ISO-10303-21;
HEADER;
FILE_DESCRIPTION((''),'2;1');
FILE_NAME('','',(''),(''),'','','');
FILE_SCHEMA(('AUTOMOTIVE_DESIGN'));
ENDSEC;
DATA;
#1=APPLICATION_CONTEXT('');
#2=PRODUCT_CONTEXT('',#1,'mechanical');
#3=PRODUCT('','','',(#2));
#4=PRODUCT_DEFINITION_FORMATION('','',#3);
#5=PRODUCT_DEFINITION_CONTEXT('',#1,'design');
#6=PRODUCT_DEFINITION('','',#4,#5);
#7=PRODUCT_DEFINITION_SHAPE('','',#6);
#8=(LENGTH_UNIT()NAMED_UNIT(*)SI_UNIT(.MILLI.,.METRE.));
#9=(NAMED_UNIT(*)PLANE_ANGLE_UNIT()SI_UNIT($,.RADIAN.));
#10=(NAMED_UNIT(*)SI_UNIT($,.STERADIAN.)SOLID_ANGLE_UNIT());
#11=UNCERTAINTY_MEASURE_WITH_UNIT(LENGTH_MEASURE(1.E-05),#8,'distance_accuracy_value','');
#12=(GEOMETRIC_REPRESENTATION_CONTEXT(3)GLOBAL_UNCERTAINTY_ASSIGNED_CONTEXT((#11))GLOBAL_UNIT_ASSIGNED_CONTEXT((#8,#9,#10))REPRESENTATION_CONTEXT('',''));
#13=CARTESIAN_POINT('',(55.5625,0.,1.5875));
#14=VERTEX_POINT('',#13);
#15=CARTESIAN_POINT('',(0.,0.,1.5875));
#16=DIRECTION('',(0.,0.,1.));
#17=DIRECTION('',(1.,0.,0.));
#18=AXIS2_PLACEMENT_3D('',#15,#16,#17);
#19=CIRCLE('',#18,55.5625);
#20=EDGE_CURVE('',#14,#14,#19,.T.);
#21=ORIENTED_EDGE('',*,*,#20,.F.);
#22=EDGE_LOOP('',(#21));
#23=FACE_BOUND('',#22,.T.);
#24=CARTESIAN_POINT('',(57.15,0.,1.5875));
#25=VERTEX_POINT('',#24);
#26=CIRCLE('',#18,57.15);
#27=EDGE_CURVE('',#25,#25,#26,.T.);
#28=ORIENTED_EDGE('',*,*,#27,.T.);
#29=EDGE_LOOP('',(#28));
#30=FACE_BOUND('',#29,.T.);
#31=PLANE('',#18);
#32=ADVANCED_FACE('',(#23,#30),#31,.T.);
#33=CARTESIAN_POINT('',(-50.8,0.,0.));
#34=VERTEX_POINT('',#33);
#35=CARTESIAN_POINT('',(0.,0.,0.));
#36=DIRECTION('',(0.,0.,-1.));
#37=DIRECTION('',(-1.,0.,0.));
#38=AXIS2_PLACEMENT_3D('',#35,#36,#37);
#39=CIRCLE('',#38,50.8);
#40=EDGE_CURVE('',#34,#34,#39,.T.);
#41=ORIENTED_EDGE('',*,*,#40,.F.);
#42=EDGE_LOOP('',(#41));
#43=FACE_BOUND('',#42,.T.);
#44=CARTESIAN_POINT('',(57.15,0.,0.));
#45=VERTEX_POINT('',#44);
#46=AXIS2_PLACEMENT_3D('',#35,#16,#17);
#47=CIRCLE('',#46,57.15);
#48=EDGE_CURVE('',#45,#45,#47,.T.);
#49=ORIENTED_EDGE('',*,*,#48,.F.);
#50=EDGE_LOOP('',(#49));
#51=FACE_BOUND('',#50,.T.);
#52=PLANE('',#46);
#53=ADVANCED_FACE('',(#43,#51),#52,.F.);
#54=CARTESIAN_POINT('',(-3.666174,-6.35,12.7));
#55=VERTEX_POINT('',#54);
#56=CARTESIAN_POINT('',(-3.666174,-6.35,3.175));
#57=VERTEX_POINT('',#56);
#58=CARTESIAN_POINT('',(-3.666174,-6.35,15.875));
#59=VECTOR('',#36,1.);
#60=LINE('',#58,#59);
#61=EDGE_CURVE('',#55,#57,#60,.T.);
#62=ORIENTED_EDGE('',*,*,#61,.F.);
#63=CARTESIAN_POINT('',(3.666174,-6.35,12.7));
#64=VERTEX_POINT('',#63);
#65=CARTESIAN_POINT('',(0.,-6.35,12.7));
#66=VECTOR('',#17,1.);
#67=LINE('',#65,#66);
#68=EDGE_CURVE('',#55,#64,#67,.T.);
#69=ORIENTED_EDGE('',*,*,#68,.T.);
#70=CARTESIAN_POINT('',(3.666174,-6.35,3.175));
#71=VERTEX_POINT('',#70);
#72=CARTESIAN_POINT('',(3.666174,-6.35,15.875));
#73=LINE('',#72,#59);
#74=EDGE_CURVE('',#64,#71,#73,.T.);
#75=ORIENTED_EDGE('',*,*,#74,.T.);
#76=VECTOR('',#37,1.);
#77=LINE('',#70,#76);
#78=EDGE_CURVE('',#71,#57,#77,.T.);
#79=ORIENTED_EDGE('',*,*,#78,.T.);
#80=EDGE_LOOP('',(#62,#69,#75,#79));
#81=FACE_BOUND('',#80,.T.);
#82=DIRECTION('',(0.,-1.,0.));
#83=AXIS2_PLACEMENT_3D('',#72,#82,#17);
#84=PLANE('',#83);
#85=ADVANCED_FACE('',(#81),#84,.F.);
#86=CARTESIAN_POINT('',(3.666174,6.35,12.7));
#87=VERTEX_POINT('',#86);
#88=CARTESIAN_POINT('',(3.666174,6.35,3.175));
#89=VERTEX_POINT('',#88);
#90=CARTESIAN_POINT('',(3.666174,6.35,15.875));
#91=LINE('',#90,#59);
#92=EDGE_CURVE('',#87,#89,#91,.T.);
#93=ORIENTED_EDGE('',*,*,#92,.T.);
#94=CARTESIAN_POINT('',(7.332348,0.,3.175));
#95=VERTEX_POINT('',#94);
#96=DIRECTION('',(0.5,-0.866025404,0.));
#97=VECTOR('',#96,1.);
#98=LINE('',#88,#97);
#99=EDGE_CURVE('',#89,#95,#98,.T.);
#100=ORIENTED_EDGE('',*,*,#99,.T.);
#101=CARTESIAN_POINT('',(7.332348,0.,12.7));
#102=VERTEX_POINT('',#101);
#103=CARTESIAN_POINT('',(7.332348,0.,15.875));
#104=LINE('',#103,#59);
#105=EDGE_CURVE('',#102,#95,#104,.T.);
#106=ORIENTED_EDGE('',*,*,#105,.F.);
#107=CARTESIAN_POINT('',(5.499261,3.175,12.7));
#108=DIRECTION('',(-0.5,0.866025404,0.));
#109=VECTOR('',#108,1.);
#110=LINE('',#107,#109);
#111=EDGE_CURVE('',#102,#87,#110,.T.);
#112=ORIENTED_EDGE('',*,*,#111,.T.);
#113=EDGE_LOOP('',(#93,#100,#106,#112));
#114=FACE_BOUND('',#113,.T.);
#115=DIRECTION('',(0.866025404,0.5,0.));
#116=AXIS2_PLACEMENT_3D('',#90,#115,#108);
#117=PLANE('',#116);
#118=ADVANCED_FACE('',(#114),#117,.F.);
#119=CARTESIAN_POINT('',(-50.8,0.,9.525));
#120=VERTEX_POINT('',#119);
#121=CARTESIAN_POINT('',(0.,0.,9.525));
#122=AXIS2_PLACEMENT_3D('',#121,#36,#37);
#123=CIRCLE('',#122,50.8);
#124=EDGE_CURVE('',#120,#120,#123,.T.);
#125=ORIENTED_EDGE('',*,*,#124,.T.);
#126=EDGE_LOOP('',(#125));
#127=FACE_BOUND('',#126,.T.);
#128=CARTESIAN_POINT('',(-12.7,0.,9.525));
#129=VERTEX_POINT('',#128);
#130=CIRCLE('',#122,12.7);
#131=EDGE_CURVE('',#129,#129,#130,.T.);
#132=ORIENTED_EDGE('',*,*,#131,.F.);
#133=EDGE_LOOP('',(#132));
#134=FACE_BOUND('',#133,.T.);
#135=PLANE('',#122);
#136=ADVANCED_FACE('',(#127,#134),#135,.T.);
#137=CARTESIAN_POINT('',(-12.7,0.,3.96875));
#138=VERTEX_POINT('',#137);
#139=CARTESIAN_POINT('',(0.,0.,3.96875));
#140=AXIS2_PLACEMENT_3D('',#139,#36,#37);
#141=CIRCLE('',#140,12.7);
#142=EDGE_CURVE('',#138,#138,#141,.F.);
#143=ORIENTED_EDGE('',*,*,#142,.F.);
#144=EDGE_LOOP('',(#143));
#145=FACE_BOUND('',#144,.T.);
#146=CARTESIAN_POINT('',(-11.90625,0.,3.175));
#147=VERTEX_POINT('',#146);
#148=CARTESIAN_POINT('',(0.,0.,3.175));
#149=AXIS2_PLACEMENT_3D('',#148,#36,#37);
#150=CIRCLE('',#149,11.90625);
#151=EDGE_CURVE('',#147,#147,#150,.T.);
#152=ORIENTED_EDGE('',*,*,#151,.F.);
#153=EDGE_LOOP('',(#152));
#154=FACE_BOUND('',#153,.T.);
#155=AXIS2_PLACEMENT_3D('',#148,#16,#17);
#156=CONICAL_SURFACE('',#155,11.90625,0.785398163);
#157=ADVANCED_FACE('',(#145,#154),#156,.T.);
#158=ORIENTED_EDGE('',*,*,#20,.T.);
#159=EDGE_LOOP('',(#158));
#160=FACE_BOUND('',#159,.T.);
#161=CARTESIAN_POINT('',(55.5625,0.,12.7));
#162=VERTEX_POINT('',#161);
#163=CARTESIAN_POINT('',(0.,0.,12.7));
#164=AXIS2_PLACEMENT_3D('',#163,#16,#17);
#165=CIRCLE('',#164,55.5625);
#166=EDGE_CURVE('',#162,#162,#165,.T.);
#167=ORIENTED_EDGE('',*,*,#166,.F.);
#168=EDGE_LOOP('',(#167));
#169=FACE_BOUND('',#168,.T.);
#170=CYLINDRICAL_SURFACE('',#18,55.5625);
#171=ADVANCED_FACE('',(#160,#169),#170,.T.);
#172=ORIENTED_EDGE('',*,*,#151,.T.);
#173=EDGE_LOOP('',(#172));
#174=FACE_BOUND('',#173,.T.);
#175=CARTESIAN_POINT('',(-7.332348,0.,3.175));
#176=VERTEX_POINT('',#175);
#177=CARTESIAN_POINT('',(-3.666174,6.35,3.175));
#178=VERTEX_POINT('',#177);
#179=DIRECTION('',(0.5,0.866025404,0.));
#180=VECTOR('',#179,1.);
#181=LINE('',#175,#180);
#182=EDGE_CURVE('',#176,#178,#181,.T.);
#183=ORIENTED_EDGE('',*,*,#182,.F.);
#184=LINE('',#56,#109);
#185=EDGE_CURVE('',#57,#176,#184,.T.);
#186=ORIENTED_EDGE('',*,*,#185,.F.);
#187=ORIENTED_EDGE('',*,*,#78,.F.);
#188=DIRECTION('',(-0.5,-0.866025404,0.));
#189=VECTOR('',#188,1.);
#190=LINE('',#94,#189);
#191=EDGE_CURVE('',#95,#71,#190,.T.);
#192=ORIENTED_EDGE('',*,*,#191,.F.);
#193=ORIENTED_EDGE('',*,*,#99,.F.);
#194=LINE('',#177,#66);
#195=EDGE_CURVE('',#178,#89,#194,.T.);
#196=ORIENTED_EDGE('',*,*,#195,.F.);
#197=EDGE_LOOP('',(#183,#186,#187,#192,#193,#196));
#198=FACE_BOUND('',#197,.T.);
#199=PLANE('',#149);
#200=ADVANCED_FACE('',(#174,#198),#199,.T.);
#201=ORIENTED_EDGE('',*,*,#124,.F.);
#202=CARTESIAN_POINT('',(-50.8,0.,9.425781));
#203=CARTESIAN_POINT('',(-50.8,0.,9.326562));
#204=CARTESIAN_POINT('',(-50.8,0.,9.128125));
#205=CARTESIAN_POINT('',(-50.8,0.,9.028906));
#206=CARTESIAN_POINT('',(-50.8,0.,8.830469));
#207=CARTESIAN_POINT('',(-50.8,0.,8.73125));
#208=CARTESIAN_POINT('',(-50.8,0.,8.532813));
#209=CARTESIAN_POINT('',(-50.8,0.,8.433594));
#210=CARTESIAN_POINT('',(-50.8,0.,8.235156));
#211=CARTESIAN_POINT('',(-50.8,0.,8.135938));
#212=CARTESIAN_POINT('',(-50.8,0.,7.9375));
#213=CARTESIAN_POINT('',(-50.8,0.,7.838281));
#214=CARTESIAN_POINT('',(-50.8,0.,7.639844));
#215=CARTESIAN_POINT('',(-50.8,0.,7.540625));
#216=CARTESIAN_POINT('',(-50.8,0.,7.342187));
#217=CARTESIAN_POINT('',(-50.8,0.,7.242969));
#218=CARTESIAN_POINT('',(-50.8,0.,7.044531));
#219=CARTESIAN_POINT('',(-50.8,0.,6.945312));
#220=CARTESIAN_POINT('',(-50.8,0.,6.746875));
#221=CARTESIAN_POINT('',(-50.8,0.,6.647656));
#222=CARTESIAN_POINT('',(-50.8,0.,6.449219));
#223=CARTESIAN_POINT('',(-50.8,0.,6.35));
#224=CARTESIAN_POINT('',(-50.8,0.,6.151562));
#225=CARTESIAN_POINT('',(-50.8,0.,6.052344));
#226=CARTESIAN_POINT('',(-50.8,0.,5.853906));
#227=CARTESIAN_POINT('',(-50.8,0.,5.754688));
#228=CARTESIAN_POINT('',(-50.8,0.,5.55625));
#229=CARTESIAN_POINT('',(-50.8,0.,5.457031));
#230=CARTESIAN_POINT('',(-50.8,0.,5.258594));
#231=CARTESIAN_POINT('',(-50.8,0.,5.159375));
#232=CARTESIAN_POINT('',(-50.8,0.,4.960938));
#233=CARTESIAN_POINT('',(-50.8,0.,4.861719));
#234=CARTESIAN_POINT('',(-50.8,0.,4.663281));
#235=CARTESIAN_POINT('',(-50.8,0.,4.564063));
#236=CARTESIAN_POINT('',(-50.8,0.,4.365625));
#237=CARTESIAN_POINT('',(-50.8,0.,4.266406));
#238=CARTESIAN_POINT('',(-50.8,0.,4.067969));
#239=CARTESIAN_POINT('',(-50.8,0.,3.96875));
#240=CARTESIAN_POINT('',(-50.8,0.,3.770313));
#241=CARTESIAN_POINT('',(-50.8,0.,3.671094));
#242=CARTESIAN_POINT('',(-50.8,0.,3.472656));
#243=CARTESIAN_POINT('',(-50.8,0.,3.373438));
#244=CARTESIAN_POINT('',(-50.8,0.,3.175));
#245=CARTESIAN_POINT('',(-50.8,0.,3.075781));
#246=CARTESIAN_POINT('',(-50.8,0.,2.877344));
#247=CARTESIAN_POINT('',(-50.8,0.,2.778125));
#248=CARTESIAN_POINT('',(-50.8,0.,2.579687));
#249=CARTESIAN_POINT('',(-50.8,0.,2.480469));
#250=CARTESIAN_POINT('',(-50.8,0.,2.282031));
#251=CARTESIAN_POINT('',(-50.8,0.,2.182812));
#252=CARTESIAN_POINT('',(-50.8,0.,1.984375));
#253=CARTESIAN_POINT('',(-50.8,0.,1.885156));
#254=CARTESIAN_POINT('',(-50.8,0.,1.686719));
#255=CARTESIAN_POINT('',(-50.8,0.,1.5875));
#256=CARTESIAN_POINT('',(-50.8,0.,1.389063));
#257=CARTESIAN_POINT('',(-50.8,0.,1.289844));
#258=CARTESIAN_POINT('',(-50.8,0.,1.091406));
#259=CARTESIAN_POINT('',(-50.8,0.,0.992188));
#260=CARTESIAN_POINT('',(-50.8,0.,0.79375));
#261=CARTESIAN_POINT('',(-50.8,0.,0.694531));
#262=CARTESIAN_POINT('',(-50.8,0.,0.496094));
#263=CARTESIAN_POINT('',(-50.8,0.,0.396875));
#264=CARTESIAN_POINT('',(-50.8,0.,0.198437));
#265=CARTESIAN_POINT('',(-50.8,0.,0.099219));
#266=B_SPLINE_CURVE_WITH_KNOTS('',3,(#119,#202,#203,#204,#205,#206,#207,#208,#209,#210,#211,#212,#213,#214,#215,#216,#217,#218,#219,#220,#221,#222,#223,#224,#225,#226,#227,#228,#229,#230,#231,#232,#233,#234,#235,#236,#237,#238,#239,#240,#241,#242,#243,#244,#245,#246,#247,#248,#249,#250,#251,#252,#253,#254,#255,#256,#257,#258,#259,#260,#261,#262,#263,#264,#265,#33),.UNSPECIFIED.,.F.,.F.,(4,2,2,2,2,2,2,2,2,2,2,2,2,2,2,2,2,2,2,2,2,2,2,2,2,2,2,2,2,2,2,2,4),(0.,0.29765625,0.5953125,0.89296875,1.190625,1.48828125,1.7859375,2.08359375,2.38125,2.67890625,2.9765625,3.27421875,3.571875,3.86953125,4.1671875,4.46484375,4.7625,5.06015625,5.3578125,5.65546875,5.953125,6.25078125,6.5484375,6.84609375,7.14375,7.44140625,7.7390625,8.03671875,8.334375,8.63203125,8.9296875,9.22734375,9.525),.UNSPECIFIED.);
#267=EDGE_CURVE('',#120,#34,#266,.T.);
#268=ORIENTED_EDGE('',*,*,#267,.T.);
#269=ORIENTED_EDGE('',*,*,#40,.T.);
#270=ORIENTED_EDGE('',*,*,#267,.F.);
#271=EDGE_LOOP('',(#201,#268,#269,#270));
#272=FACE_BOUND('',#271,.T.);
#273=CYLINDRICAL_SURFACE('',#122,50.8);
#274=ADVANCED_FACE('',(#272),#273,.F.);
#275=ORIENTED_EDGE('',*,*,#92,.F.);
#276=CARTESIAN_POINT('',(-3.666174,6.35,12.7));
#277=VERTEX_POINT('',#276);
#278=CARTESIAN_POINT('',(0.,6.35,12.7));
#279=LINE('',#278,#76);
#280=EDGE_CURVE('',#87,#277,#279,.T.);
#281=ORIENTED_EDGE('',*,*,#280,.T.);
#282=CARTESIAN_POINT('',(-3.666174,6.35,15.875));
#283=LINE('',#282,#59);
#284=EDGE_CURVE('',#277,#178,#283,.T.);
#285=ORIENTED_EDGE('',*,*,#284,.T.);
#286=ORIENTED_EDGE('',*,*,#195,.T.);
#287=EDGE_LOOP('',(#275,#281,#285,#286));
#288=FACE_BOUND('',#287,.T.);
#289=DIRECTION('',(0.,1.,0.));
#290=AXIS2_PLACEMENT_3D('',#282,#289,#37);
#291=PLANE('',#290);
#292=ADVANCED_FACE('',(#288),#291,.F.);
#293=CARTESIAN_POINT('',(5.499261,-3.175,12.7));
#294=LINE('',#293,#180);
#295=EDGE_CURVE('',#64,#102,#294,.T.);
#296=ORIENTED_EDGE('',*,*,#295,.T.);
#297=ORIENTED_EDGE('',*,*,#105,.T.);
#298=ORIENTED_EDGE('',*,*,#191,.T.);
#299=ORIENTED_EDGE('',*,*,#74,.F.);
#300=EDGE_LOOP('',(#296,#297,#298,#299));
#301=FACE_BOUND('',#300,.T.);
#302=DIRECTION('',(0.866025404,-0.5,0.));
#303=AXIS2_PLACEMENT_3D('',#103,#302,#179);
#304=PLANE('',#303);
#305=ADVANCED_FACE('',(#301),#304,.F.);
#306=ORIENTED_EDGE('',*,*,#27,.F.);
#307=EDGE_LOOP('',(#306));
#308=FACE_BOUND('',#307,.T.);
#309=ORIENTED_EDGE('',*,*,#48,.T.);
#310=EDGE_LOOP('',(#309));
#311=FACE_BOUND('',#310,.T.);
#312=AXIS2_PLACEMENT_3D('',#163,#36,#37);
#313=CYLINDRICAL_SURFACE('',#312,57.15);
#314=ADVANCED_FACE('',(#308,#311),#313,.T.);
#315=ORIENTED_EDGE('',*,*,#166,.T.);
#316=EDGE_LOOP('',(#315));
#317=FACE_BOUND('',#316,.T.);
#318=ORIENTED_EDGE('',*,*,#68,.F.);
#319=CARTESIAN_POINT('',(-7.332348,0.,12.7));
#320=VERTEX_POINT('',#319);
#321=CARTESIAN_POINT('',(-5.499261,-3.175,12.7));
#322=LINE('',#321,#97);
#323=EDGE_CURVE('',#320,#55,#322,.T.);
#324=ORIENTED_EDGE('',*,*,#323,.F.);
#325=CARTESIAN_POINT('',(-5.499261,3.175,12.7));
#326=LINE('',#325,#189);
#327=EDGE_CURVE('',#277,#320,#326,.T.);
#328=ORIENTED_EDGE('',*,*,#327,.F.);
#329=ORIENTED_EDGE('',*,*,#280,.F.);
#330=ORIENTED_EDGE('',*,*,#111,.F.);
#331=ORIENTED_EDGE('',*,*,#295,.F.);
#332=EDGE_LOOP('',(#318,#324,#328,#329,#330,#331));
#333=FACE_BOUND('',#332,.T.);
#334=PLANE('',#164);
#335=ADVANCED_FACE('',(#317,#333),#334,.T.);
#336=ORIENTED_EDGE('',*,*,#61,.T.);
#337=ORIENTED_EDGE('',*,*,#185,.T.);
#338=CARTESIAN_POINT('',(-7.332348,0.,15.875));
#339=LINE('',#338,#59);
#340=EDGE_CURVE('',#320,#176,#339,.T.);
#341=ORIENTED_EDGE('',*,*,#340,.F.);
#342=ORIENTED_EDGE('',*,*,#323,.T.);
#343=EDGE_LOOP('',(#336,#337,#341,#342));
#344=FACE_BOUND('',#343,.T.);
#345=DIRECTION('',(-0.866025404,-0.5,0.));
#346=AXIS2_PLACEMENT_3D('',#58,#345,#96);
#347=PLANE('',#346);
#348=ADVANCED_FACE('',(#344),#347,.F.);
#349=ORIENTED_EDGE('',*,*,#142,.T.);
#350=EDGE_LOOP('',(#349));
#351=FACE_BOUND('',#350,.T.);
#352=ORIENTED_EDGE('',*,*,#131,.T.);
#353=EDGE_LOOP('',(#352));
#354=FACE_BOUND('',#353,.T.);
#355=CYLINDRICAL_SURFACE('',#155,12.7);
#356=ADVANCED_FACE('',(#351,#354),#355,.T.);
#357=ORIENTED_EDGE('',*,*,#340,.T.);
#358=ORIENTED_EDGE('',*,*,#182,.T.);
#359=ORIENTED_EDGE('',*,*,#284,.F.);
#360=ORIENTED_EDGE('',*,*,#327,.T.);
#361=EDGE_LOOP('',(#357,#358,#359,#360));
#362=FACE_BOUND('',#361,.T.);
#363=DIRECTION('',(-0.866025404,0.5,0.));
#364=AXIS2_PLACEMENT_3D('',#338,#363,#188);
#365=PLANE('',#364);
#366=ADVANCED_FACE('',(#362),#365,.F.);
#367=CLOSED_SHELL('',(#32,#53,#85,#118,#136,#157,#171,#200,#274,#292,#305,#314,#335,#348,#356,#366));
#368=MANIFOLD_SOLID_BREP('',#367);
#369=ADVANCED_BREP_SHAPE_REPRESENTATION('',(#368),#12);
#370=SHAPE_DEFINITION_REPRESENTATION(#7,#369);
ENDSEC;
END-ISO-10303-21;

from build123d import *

# Parameters (mm, degrees)
SKETCH1_R           = 57.15
BOSS_EXTRUDE1_DEPTH = 12.7
CUT_EXTRUDE1_START  = -11.1125
SKETCH2_R           = 57.15
SKETCH2_R_2         = 55.5625
CUT_EXTRUDE1_DEPTH  = 11.1125
SKETCH3_R           = 50.8
CUT_EXTRUDE2_DEPTH  = 9.525
SKETCH4_R           = 12.7
BOSS_EXTRUDE2_DEPTH = 6.35
CUT_EXTRUDE4_DEPTH  = 12.7
CHAMFER1_SIZE       = 0.79375


with BuildPart() as part:
    # Sketch1 → Boss-Extrude1 (new body)
    with BuildSketch(Plane.XY):
        Circle(SKETCH1_R)
    extrude(amount=BOSS_EXTRUDE1_DEPTH)

    # Sketch2 → Cut-Extrude1 (cut)
    with BuildSketch(Plane.XY.offset(12.7).offset(CUT_EXTRUDE1_START)):
        Circle(SKETCH2_R)
        Circle(SKETCH2_R_2, mode=Mode.SUBTRACT)
    extrude(amount=CUT_EXTRUDE1_DEPTH, mode=Mode.SUBTRACT)

    # Sketch3 → Cut-Extrude2 (cut)
    with BuildSketch(Plane(origin=(0, 0, 0), x_dir=(-1, 0, 0), z_dir=(0, 0, -1))):
        Circle(SKETCH3_R)
    extrude(amount=-CUT_EXTRUDE2_DEPTH, mode=Mode.SUBTRACT)

    # Sketch4 → Boss-Extrude2 (add)
    with BuildSketch(Plane(origin=(0, 0, 9.525), x_dir=(-1, 0, 0), z_dir=(0, 0, -1))):
        Circle(SKETCH4_R)
    extrude(amount=BOSS_EXTRUDE2_DEPTH)

    # Sketch6 → Cut-Extrude4 (cut)
    with BuildSketch(Plane(origin=(0, 0, 3.175), x_dir=(-1, 0, 0), z_dir=(0, 0, -1))):
        Polygon((7.332348419, 0), (3.666174209, 6.35), (-3.666174209, 6.35), (-7.332348419, 0), (-3.666174209, -6.35), (3.666174209, -6.35), align=None)
    extrude(amount=-CUT_EXTRUDE4_DEPTH, mode=Mode.SUBTRACT)

    # Chamfer1
    chamfer1_edges = [part.edges().sort_by_distance(p)[0] for p in [
        (12.7, 0, 3.175),
    ]]
    chamfer(chamfer1_edges, length=CHAMFER1_SIZE)


solid = part.part
